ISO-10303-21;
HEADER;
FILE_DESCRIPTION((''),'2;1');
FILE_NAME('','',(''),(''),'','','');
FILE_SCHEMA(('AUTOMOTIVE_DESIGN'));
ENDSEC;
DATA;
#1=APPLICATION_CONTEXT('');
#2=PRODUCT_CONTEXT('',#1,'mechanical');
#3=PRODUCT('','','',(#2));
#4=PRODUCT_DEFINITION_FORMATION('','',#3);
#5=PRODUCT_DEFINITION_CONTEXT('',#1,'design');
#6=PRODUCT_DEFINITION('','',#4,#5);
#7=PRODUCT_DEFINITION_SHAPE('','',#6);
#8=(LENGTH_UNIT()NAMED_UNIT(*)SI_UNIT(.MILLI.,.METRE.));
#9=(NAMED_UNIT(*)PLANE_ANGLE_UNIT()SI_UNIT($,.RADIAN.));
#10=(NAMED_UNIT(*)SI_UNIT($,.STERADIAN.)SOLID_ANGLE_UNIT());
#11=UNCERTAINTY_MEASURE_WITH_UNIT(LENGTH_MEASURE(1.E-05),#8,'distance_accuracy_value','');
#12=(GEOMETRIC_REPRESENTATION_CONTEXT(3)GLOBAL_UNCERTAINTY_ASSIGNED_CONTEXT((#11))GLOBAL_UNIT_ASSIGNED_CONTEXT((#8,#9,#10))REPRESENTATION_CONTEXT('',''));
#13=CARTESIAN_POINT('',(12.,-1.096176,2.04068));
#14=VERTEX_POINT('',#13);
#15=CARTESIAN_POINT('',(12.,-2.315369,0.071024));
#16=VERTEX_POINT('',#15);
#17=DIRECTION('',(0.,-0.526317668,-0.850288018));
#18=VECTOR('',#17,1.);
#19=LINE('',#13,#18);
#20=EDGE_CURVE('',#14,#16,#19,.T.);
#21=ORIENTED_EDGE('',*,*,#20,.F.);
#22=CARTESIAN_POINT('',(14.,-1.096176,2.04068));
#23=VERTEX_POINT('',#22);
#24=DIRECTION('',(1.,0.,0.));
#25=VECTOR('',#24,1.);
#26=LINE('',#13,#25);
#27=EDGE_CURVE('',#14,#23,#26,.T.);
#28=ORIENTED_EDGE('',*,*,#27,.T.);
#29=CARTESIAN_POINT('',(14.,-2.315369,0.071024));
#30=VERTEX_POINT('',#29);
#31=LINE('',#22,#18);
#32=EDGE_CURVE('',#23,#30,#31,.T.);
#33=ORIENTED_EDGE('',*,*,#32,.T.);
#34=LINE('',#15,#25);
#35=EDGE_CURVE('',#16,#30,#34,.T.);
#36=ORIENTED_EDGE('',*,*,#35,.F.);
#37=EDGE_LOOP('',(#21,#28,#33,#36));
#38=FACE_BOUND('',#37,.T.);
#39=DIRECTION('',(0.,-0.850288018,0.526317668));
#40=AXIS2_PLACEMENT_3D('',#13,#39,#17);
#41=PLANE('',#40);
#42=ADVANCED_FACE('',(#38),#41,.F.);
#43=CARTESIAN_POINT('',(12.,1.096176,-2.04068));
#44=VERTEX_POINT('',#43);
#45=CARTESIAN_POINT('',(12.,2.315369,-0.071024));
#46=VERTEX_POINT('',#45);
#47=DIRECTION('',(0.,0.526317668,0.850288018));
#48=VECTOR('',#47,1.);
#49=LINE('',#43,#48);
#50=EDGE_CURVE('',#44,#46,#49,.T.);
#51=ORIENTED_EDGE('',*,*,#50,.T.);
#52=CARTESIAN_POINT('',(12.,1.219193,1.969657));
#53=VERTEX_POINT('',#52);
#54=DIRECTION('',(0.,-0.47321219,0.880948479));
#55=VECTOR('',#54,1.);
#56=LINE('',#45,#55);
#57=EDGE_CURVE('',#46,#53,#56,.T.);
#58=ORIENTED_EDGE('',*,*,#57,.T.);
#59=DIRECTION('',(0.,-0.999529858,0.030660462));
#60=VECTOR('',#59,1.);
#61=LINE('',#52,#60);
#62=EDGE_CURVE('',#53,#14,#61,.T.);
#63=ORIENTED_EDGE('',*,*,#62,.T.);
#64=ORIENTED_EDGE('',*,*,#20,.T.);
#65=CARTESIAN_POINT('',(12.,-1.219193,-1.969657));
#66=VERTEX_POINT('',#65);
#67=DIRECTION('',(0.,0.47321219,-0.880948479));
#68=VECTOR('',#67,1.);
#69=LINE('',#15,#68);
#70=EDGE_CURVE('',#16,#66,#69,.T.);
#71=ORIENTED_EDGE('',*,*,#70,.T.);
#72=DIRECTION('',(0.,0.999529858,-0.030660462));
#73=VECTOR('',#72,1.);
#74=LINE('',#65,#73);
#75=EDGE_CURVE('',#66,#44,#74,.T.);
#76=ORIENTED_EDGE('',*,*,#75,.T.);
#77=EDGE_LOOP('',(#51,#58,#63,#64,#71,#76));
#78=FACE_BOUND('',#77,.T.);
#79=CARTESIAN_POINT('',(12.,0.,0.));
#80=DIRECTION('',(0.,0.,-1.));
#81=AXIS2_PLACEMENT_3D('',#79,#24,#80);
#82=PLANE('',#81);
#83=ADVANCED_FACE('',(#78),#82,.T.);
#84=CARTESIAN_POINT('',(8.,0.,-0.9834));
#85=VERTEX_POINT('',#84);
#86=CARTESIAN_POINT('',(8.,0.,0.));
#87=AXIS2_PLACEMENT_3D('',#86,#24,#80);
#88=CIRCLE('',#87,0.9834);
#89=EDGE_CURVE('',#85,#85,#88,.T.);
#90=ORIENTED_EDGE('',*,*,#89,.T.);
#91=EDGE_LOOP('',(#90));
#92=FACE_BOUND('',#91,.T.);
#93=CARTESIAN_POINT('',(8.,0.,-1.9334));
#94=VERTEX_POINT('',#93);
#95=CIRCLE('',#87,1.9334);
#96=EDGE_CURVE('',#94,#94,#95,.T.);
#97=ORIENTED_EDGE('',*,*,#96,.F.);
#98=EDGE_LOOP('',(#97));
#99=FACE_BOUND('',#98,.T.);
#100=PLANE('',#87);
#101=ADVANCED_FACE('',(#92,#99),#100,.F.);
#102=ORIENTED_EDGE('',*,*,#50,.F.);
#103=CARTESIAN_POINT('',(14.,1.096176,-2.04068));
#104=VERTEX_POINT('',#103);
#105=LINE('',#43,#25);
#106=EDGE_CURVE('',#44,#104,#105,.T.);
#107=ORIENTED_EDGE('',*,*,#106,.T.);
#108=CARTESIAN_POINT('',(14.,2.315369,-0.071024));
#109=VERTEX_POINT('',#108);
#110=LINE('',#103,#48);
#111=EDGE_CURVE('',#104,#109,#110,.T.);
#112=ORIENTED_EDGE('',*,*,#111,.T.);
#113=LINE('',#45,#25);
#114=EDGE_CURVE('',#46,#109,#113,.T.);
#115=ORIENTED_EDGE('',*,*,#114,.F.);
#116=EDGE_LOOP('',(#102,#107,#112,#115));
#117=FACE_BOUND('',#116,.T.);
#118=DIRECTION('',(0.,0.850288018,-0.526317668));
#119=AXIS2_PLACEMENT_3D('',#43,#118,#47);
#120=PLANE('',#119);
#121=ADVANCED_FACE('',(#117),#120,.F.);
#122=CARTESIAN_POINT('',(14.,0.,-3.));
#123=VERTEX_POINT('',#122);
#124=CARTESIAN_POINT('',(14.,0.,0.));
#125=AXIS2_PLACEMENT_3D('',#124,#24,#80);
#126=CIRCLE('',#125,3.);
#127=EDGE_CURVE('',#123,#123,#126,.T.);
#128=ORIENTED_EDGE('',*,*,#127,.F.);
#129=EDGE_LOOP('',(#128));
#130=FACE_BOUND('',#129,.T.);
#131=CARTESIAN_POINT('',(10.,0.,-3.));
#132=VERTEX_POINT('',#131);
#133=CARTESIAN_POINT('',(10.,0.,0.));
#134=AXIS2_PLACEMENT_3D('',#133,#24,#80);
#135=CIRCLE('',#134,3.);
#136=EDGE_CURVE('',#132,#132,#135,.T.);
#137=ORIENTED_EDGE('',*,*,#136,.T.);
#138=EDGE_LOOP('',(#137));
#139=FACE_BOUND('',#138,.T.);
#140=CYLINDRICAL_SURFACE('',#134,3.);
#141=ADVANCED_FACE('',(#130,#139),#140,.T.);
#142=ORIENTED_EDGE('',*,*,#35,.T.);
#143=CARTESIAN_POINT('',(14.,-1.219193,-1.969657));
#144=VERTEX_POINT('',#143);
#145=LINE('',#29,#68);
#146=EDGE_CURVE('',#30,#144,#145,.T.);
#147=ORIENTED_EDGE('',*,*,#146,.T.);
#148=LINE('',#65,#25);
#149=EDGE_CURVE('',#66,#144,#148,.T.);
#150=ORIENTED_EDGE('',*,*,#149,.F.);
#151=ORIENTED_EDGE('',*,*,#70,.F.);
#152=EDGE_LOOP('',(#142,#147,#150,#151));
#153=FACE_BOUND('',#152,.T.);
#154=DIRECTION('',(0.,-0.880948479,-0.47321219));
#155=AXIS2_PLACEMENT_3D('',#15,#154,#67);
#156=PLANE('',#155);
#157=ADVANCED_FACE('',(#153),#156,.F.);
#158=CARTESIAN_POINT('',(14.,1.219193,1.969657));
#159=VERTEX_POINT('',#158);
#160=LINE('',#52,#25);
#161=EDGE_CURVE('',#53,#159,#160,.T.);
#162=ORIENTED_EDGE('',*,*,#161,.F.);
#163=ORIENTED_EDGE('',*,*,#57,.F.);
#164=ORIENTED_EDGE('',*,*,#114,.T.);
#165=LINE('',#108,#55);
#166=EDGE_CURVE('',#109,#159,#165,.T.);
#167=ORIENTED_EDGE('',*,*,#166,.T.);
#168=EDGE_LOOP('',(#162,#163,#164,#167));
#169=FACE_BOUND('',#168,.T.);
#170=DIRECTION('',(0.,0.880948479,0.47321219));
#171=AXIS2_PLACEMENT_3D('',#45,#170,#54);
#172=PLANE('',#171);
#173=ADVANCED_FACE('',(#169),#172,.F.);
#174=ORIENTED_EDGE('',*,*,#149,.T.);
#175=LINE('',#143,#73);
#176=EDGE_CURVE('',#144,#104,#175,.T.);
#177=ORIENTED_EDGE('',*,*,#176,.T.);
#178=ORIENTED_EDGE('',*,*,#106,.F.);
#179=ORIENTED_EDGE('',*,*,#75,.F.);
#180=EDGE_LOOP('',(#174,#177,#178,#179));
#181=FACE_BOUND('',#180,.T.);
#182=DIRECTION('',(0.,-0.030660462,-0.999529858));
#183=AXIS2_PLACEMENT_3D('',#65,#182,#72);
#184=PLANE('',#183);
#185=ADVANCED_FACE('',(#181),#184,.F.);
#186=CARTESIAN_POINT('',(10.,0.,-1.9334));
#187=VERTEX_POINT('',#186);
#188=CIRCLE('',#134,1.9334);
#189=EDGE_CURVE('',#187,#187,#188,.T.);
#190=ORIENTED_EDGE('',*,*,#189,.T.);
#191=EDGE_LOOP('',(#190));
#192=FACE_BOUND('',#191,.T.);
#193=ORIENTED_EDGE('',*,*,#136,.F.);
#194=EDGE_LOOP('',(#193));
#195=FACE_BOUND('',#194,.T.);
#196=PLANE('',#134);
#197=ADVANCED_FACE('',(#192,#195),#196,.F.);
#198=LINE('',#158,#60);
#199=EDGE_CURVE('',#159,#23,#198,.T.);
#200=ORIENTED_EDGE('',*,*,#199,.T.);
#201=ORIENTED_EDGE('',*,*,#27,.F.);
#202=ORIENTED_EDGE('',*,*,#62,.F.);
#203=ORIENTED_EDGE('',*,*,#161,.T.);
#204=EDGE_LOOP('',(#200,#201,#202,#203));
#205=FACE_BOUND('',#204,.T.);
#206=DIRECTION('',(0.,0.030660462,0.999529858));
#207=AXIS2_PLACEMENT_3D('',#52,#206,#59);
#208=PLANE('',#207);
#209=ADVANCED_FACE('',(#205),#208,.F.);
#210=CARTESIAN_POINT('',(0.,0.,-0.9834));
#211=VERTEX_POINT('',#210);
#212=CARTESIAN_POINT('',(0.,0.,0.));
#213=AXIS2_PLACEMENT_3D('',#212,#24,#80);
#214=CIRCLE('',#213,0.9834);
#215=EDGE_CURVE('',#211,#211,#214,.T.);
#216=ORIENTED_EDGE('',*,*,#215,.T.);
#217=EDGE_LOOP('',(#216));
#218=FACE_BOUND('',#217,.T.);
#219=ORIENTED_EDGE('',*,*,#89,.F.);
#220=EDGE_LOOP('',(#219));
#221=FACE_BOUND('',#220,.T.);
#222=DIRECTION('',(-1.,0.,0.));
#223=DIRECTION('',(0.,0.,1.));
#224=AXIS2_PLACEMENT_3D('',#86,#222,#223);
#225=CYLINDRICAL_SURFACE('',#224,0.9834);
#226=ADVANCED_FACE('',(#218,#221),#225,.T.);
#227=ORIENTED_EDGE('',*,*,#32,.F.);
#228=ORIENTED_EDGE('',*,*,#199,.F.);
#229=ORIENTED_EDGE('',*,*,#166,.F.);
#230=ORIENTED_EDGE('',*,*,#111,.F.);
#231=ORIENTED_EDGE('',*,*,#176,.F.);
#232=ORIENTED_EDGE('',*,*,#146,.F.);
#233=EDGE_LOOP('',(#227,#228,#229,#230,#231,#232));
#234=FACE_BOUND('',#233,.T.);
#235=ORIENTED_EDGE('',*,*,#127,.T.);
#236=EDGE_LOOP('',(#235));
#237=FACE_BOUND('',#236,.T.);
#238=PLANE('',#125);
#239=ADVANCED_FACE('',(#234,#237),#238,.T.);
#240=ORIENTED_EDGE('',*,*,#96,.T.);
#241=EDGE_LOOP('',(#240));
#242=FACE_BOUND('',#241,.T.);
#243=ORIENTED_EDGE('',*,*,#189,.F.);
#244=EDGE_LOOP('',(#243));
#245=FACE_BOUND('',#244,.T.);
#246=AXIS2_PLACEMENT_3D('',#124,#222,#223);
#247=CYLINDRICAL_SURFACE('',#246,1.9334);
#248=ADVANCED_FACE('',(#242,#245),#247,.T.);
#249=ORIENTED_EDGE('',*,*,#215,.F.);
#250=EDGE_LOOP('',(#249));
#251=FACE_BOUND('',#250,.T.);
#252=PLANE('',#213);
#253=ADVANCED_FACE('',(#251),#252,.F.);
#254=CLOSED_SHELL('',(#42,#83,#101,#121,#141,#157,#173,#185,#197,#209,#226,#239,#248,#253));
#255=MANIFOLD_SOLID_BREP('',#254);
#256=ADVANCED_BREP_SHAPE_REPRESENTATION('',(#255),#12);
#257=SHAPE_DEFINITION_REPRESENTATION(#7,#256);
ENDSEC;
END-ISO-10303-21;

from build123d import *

# Parameters (mm, degrees)
SKETCH1_R           = 0.9834
BOSS_EXTRUDE1_DEPTH = 8
SKETCH2_R           = 1.9334
BOSS_EXTRUDE2_DEPTH = 6
SKETCH3_R           = 3
BOSS_EXTRUDE3_DEPTH = 4
CUT_EXTRUDE1_DEPTH  = 2


with BuildPart() as part:
    # Sketch1 → Boss-Extrude1 (new body)
    with BuildSketch(Plane(origin=(0, 0, 0), x_dir=(0, 0, -1), z_dir=(1, 0, 0))):
        Circle(SKETCH1_R)
    extrude(amount=BOSS_EXTRUDE1_DEPTH)

    # Sketch2 → Boss-Extrude2 (add)
    with BuildSketch(Plane(origin=(8, 0, 0), x_dir=(0, 0, -1), z_dir=(1, 0, 0))):
        Circle(SKETCH2_R)
    extrude(amount=BOSS_EXTRUDE2_DEPTH)

    # Sketch3 → Boss-Extrude3 (add)
    with BuildSketch(Plane(origin=(14, 0, 0), x_dir=(0, 0, -1), z_dir=(1, 0, 0))):
        Circle(SKETCH3_R)
    extrude(amount=-BOSS_EXTRUDE3_DEPTH)

    # Sketch7 → Cut-Extrude1 (cut)
    with BuildSketch(Plane(origin=(14, 0, 0), x_dir=(0, 0, -1), z_dir=(1, 0, 0))):
        Polygon((2.040680279, 1.096176231), (0.071023676, 2.315369078), (-1.969656602, 1.219192847), (-2.040680279, -1.096176231), (-0.071023676, -2.315369078), (1.969656602, -1.219192847), align=None)
    extrude(amount=-CUT_EXTRUDE1_DEPTH, mode=Mode.SUBTRACT)


solid = part.part
